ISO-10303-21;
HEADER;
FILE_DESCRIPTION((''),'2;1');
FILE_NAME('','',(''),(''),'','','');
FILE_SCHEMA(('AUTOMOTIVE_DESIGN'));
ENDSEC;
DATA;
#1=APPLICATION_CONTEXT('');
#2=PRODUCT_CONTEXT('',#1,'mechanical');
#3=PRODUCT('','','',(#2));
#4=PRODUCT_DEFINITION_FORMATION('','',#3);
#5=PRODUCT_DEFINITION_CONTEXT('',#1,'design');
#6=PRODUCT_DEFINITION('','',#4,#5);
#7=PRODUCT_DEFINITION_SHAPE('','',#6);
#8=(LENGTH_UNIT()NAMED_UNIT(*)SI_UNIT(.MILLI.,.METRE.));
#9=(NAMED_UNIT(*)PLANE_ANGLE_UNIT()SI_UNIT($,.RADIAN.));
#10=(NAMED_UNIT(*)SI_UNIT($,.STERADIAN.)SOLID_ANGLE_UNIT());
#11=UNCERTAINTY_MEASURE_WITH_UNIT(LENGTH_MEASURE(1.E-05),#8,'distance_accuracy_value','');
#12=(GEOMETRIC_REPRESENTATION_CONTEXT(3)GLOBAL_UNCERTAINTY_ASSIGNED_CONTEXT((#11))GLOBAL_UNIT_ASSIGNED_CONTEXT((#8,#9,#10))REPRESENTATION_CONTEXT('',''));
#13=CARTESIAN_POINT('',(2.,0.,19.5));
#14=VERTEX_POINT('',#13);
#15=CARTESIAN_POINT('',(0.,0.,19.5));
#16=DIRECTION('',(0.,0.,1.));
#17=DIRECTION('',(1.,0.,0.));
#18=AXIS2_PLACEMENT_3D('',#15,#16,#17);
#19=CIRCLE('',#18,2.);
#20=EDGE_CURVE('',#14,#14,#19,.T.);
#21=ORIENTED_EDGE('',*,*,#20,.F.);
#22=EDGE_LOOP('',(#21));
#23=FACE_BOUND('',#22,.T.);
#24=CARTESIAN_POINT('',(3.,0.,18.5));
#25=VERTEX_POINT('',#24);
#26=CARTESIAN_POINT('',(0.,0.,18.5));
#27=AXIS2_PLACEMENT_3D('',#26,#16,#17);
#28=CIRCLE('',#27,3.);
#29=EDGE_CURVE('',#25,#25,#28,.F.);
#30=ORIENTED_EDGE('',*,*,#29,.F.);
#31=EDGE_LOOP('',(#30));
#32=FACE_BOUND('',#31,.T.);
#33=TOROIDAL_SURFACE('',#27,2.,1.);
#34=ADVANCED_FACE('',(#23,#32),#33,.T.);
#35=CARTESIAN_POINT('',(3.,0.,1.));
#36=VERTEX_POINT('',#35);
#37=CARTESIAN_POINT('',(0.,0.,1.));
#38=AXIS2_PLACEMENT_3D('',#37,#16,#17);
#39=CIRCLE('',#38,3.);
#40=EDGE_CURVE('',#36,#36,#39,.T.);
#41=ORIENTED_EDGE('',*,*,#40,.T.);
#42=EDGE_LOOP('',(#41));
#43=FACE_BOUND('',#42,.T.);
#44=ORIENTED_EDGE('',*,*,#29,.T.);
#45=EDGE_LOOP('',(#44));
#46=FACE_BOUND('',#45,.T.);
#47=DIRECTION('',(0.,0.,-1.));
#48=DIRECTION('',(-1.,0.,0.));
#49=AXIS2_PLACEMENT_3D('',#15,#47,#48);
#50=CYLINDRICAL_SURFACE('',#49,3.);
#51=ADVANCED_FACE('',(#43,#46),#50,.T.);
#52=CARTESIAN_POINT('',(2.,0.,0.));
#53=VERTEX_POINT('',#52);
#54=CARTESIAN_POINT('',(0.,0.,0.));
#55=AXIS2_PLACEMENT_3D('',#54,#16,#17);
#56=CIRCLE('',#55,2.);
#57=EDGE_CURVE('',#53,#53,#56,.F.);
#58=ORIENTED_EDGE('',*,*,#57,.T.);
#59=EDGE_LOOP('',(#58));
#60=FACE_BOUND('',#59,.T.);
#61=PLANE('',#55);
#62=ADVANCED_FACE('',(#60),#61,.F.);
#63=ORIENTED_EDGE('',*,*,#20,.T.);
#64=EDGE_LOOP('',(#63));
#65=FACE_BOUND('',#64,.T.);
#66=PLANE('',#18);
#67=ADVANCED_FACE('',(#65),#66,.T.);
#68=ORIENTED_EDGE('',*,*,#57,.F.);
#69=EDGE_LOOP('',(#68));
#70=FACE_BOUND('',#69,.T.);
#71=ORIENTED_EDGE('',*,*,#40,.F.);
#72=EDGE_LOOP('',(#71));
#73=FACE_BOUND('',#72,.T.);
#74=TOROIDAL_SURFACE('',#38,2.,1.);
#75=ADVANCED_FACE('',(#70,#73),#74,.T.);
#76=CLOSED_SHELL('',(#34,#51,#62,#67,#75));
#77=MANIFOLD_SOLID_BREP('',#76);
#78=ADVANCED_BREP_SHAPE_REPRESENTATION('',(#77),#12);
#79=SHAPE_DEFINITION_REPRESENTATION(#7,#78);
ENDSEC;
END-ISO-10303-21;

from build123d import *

# Parameters (mm, degrees)
SKETCH_1_R      = 3
EXTRUDE_1_DEPTH = 19.5
FILLET_1_R      = 1


with BuildPart() as part:
    # ｽｹｯﾁ1 → ﾎﾞｽ - 押し出し1 (new body)
    with BuildSketch(Plane.XY):
        Circle(SKETCH_1_R)
    extrude(amount=EXTRUDE_1_DEPTH)

    # ﾌｨﾚｯﾄ1
    fillet_1_edges = [part.edges().sort_by_distance(p)[0] for p in [
        (-3, 0, 0),
        (-3, 0, 19.5),
    ]]
    fillet(fillet_1_edges, radius=FILLET_1_R)


solid = part.part
